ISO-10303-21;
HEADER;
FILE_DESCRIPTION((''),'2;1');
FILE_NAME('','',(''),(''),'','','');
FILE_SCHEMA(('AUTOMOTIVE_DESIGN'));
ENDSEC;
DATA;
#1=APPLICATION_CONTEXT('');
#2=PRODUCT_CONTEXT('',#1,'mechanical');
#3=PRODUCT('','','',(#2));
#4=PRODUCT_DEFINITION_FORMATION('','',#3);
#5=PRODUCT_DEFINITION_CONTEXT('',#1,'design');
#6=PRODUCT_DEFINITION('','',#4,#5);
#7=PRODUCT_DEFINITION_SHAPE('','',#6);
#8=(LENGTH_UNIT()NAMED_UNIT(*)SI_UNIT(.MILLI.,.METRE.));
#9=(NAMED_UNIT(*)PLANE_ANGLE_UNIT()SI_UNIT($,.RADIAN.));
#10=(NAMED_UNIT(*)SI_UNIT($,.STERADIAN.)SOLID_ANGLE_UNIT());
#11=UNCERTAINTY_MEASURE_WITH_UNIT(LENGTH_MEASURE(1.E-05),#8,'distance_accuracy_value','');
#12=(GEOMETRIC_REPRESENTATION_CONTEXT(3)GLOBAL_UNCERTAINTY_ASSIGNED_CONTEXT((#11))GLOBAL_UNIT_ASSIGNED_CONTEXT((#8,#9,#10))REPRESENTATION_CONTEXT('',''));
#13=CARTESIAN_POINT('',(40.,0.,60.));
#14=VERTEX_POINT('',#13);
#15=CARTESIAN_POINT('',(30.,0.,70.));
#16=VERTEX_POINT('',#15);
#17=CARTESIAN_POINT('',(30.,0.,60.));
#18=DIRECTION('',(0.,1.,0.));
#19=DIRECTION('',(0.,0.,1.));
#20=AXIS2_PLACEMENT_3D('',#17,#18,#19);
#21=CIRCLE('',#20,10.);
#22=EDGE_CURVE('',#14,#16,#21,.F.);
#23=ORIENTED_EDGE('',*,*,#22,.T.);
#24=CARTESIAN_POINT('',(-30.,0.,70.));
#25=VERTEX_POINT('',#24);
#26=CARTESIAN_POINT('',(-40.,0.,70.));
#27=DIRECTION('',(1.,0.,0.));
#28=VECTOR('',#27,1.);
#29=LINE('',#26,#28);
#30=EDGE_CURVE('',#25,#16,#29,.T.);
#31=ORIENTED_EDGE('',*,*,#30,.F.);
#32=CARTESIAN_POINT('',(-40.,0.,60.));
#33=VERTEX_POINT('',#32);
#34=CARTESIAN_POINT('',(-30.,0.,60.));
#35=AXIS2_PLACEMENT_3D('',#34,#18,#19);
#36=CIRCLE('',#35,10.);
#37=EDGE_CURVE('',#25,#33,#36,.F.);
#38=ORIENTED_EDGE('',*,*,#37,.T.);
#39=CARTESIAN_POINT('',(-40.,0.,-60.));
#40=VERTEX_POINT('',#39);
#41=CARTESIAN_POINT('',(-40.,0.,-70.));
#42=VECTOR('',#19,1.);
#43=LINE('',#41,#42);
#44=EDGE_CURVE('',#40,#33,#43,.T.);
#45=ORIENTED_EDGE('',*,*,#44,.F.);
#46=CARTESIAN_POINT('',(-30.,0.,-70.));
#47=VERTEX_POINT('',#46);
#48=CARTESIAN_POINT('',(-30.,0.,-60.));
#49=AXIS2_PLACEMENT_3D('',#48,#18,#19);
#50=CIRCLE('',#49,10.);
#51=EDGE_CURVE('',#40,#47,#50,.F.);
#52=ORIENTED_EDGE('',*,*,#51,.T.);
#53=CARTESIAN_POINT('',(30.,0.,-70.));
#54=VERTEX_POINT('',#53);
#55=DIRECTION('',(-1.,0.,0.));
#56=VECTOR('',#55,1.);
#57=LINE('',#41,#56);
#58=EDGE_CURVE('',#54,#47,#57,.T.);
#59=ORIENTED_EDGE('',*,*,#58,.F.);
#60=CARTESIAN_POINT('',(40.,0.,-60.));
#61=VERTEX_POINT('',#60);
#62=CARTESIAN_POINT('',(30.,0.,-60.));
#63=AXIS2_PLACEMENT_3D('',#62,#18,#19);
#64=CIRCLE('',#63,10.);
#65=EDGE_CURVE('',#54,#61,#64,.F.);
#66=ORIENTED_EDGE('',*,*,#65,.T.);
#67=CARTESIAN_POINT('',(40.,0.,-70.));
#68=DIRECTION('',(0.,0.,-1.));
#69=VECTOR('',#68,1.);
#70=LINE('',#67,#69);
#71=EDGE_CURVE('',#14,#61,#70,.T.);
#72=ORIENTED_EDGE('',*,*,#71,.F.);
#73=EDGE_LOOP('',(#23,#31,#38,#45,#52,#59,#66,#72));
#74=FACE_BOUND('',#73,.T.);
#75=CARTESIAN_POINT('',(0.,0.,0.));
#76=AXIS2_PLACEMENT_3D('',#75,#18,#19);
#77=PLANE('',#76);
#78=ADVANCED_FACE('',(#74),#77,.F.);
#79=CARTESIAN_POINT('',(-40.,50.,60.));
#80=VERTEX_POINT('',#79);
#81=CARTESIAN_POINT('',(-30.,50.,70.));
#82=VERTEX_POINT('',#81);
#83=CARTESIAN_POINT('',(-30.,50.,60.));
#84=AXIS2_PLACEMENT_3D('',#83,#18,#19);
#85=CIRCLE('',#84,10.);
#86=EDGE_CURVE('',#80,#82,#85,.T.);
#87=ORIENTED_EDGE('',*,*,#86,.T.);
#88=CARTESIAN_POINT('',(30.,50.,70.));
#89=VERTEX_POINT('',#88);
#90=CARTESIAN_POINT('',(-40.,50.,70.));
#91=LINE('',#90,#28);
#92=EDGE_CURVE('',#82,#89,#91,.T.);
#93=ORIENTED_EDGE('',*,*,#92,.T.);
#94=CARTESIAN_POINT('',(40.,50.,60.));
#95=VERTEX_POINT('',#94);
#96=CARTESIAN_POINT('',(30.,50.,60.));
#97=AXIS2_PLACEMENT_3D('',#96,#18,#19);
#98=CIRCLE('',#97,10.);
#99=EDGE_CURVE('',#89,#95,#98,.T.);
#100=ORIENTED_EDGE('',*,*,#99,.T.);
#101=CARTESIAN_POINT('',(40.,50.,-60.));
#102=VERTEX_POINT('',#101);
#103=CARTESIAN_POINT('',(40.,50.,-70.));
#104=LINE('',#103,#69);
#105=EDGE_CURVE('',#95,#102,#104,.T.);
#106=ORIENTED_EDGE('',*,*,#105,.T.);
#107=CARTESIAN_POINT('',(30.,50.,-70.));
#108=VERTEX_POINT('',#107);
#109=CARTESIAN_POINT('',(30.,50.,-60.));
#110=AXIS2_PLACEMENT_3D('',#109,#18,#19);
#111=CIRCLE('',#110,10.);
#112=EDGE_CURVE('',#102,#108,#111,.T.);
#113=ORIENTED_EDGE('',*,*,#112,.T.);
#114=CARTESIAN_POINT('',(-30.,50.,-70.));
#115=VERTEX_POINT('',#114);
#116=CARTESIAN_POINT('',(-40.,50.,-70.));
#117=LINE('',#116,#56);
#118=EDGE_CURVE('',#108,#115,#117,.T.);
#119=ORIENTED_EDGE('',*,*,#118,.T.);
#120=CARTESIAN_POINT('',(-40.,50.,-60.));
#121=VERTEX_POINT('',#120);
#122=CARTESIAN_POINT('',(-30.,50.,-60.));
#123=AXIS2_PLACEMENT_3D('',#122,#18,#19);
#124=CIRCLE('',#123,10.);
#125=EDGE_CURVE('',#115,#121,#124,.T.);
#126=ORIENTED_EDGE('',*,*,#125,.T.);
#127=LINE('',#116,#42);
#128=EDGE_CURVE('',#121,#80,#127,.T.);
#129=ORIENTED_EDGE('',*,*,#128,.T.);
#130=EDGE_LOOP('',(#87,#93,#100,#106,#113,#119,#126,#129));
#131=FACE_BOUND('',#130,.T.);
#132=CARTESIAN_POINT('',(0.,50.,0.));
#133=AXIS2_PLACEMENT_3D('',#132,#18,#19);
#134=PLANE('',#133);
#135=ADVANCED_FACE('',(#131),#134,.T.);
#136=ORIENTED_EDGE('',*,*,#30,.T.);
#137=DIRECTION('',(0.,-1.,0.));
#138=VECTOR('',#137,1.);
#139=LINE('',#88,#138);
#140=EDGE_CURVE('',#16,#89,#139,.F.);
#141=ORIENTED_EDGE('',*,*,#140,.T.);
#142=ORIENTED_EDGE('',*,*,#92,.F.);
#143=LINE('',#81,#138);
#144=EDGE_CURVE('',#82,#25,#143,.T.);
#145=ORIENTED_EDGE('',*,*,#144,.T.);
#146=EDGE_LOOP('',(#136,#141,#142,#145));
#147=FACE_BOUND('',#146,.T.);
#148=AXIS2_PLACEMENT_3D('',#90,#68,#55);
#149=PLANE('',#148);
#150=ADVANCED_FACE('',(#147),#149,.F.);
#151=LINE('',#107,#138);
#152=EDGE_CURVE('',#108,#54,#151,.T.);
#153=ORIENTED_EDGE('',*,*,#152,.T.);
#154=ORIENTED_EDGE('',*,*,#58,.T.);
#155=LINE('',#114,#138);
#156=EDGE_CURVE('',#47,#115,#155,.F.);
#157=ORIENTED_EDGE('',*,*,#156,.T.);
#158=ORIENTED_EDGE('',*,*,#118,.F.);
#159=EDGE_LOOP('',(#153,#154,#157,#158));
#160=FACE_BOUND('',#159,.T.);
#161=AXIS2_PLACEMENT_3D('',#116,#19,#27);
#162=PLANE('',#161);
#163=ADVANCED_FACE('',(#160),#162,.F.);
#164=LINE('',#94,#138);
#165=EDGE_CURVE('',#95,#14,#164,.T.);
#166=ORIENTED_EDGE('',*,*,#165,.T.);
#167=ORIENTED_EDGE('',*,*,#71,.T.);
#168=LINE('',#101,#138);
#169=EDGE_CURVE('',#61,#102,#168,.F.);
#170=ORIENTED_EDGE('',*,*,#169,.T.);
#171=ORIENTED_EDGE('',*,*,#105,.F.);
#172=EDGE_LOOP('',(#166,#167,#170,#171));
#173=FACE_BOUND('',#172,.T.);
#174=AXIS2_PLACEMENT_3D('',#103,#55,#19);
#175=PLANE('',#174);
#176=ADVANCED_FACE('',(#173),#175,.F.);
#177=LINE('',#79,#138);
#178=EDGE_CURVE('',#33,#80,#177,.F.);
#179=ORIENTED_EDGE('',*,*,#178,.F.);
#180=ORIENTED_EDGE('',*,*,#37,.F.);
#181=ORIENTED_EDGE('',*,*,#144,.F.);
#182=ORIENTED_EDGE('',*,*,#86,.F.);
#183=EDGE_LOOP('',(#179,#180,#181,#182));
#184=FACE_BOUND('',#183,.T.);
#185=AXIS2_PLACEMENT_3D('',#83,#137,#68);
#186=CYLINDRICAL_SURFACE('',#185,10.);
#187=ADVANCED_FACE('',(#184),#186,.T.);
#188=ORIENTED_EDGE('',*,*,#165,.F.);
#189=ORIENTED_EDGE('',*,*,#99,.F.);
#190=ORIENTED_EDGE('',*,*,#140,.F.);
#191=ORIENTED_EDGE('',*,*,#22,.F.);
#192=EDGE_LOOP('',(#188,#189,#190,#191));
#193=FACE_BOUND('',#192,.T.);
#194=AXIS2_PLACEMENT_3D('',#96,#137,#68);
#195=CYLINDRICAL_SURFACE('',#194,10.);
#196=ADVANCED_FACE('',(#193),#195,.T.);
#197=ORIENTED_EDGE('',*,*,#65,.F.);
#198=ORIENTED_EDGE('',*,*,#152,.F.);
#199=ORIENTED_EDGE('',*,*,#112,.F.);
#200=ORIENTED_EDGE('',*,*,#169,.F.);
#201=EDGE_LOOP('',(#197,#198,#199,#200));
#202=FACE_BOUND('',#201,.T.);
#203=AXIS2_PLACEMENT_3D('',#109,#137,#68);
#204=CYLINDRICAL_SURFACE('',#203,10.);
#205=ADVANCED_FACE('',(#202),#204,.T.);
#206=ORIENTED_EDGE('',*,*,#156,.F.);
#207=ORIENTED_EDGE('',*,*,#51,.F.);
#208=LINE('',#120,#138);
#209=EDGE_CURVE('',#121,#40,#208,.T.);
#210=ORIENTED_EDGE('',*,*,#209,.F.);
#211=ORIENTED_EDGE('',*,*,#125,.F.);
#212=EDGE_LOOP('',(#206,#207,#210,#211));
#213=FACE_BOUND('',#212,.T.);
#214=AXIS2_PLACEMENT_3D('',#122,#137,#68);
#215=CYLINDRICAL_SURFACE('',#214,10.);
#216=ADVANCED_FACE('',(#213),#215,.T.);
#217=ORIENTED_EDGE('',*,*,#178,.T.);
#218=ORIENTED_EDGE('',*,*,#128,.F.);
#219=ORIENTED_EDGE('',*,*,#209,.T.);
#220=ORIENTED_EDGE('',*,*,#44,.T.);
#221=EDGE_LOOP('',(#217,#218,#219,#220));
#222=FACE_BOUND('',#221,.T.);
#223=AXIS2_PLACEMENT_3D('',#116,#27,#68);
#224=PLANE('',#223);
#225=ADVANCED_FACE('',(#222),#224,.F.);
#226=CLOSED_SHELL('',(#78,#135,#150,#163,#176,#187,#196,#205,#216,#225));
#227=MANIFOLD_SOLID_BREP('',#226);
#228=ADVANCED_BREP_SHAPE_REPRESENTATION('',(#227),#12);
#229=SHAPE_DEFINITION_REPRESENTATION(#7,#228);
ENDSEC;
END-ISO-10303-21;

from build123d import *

# Parameters (mm, degrees)
SKETCH_1_W      = 80
SKETCH_1_H      = 140
EXTRUDE_1_DEPTH = 50
FILLET_1_R      = 10


with BuildPart() as part:
    # 草圖1 → 填料-伸長1 (new body)
    with BuildSketch(Plane(origin=(0, 0, 0), x_dir=(1, 0, 0), z_dir=(0, 1, 0))):
        Rectangle(SKETCH_1_W, SKETCH_1_H)
    extrude(amount=EXTRUDE_1_DEPTH)

    # 圓角1
    fillet_1_edges = [part.edges().sort_by_distance(p)[0] for p in [
        (40, 25, 70),
        (-40, 25, 70),
        (-40, 25, -70),
        (40, 25, -70),
    ]]
    fillet(fillet_1_edges, radius=FILLET_1_R)


solid = part.part
